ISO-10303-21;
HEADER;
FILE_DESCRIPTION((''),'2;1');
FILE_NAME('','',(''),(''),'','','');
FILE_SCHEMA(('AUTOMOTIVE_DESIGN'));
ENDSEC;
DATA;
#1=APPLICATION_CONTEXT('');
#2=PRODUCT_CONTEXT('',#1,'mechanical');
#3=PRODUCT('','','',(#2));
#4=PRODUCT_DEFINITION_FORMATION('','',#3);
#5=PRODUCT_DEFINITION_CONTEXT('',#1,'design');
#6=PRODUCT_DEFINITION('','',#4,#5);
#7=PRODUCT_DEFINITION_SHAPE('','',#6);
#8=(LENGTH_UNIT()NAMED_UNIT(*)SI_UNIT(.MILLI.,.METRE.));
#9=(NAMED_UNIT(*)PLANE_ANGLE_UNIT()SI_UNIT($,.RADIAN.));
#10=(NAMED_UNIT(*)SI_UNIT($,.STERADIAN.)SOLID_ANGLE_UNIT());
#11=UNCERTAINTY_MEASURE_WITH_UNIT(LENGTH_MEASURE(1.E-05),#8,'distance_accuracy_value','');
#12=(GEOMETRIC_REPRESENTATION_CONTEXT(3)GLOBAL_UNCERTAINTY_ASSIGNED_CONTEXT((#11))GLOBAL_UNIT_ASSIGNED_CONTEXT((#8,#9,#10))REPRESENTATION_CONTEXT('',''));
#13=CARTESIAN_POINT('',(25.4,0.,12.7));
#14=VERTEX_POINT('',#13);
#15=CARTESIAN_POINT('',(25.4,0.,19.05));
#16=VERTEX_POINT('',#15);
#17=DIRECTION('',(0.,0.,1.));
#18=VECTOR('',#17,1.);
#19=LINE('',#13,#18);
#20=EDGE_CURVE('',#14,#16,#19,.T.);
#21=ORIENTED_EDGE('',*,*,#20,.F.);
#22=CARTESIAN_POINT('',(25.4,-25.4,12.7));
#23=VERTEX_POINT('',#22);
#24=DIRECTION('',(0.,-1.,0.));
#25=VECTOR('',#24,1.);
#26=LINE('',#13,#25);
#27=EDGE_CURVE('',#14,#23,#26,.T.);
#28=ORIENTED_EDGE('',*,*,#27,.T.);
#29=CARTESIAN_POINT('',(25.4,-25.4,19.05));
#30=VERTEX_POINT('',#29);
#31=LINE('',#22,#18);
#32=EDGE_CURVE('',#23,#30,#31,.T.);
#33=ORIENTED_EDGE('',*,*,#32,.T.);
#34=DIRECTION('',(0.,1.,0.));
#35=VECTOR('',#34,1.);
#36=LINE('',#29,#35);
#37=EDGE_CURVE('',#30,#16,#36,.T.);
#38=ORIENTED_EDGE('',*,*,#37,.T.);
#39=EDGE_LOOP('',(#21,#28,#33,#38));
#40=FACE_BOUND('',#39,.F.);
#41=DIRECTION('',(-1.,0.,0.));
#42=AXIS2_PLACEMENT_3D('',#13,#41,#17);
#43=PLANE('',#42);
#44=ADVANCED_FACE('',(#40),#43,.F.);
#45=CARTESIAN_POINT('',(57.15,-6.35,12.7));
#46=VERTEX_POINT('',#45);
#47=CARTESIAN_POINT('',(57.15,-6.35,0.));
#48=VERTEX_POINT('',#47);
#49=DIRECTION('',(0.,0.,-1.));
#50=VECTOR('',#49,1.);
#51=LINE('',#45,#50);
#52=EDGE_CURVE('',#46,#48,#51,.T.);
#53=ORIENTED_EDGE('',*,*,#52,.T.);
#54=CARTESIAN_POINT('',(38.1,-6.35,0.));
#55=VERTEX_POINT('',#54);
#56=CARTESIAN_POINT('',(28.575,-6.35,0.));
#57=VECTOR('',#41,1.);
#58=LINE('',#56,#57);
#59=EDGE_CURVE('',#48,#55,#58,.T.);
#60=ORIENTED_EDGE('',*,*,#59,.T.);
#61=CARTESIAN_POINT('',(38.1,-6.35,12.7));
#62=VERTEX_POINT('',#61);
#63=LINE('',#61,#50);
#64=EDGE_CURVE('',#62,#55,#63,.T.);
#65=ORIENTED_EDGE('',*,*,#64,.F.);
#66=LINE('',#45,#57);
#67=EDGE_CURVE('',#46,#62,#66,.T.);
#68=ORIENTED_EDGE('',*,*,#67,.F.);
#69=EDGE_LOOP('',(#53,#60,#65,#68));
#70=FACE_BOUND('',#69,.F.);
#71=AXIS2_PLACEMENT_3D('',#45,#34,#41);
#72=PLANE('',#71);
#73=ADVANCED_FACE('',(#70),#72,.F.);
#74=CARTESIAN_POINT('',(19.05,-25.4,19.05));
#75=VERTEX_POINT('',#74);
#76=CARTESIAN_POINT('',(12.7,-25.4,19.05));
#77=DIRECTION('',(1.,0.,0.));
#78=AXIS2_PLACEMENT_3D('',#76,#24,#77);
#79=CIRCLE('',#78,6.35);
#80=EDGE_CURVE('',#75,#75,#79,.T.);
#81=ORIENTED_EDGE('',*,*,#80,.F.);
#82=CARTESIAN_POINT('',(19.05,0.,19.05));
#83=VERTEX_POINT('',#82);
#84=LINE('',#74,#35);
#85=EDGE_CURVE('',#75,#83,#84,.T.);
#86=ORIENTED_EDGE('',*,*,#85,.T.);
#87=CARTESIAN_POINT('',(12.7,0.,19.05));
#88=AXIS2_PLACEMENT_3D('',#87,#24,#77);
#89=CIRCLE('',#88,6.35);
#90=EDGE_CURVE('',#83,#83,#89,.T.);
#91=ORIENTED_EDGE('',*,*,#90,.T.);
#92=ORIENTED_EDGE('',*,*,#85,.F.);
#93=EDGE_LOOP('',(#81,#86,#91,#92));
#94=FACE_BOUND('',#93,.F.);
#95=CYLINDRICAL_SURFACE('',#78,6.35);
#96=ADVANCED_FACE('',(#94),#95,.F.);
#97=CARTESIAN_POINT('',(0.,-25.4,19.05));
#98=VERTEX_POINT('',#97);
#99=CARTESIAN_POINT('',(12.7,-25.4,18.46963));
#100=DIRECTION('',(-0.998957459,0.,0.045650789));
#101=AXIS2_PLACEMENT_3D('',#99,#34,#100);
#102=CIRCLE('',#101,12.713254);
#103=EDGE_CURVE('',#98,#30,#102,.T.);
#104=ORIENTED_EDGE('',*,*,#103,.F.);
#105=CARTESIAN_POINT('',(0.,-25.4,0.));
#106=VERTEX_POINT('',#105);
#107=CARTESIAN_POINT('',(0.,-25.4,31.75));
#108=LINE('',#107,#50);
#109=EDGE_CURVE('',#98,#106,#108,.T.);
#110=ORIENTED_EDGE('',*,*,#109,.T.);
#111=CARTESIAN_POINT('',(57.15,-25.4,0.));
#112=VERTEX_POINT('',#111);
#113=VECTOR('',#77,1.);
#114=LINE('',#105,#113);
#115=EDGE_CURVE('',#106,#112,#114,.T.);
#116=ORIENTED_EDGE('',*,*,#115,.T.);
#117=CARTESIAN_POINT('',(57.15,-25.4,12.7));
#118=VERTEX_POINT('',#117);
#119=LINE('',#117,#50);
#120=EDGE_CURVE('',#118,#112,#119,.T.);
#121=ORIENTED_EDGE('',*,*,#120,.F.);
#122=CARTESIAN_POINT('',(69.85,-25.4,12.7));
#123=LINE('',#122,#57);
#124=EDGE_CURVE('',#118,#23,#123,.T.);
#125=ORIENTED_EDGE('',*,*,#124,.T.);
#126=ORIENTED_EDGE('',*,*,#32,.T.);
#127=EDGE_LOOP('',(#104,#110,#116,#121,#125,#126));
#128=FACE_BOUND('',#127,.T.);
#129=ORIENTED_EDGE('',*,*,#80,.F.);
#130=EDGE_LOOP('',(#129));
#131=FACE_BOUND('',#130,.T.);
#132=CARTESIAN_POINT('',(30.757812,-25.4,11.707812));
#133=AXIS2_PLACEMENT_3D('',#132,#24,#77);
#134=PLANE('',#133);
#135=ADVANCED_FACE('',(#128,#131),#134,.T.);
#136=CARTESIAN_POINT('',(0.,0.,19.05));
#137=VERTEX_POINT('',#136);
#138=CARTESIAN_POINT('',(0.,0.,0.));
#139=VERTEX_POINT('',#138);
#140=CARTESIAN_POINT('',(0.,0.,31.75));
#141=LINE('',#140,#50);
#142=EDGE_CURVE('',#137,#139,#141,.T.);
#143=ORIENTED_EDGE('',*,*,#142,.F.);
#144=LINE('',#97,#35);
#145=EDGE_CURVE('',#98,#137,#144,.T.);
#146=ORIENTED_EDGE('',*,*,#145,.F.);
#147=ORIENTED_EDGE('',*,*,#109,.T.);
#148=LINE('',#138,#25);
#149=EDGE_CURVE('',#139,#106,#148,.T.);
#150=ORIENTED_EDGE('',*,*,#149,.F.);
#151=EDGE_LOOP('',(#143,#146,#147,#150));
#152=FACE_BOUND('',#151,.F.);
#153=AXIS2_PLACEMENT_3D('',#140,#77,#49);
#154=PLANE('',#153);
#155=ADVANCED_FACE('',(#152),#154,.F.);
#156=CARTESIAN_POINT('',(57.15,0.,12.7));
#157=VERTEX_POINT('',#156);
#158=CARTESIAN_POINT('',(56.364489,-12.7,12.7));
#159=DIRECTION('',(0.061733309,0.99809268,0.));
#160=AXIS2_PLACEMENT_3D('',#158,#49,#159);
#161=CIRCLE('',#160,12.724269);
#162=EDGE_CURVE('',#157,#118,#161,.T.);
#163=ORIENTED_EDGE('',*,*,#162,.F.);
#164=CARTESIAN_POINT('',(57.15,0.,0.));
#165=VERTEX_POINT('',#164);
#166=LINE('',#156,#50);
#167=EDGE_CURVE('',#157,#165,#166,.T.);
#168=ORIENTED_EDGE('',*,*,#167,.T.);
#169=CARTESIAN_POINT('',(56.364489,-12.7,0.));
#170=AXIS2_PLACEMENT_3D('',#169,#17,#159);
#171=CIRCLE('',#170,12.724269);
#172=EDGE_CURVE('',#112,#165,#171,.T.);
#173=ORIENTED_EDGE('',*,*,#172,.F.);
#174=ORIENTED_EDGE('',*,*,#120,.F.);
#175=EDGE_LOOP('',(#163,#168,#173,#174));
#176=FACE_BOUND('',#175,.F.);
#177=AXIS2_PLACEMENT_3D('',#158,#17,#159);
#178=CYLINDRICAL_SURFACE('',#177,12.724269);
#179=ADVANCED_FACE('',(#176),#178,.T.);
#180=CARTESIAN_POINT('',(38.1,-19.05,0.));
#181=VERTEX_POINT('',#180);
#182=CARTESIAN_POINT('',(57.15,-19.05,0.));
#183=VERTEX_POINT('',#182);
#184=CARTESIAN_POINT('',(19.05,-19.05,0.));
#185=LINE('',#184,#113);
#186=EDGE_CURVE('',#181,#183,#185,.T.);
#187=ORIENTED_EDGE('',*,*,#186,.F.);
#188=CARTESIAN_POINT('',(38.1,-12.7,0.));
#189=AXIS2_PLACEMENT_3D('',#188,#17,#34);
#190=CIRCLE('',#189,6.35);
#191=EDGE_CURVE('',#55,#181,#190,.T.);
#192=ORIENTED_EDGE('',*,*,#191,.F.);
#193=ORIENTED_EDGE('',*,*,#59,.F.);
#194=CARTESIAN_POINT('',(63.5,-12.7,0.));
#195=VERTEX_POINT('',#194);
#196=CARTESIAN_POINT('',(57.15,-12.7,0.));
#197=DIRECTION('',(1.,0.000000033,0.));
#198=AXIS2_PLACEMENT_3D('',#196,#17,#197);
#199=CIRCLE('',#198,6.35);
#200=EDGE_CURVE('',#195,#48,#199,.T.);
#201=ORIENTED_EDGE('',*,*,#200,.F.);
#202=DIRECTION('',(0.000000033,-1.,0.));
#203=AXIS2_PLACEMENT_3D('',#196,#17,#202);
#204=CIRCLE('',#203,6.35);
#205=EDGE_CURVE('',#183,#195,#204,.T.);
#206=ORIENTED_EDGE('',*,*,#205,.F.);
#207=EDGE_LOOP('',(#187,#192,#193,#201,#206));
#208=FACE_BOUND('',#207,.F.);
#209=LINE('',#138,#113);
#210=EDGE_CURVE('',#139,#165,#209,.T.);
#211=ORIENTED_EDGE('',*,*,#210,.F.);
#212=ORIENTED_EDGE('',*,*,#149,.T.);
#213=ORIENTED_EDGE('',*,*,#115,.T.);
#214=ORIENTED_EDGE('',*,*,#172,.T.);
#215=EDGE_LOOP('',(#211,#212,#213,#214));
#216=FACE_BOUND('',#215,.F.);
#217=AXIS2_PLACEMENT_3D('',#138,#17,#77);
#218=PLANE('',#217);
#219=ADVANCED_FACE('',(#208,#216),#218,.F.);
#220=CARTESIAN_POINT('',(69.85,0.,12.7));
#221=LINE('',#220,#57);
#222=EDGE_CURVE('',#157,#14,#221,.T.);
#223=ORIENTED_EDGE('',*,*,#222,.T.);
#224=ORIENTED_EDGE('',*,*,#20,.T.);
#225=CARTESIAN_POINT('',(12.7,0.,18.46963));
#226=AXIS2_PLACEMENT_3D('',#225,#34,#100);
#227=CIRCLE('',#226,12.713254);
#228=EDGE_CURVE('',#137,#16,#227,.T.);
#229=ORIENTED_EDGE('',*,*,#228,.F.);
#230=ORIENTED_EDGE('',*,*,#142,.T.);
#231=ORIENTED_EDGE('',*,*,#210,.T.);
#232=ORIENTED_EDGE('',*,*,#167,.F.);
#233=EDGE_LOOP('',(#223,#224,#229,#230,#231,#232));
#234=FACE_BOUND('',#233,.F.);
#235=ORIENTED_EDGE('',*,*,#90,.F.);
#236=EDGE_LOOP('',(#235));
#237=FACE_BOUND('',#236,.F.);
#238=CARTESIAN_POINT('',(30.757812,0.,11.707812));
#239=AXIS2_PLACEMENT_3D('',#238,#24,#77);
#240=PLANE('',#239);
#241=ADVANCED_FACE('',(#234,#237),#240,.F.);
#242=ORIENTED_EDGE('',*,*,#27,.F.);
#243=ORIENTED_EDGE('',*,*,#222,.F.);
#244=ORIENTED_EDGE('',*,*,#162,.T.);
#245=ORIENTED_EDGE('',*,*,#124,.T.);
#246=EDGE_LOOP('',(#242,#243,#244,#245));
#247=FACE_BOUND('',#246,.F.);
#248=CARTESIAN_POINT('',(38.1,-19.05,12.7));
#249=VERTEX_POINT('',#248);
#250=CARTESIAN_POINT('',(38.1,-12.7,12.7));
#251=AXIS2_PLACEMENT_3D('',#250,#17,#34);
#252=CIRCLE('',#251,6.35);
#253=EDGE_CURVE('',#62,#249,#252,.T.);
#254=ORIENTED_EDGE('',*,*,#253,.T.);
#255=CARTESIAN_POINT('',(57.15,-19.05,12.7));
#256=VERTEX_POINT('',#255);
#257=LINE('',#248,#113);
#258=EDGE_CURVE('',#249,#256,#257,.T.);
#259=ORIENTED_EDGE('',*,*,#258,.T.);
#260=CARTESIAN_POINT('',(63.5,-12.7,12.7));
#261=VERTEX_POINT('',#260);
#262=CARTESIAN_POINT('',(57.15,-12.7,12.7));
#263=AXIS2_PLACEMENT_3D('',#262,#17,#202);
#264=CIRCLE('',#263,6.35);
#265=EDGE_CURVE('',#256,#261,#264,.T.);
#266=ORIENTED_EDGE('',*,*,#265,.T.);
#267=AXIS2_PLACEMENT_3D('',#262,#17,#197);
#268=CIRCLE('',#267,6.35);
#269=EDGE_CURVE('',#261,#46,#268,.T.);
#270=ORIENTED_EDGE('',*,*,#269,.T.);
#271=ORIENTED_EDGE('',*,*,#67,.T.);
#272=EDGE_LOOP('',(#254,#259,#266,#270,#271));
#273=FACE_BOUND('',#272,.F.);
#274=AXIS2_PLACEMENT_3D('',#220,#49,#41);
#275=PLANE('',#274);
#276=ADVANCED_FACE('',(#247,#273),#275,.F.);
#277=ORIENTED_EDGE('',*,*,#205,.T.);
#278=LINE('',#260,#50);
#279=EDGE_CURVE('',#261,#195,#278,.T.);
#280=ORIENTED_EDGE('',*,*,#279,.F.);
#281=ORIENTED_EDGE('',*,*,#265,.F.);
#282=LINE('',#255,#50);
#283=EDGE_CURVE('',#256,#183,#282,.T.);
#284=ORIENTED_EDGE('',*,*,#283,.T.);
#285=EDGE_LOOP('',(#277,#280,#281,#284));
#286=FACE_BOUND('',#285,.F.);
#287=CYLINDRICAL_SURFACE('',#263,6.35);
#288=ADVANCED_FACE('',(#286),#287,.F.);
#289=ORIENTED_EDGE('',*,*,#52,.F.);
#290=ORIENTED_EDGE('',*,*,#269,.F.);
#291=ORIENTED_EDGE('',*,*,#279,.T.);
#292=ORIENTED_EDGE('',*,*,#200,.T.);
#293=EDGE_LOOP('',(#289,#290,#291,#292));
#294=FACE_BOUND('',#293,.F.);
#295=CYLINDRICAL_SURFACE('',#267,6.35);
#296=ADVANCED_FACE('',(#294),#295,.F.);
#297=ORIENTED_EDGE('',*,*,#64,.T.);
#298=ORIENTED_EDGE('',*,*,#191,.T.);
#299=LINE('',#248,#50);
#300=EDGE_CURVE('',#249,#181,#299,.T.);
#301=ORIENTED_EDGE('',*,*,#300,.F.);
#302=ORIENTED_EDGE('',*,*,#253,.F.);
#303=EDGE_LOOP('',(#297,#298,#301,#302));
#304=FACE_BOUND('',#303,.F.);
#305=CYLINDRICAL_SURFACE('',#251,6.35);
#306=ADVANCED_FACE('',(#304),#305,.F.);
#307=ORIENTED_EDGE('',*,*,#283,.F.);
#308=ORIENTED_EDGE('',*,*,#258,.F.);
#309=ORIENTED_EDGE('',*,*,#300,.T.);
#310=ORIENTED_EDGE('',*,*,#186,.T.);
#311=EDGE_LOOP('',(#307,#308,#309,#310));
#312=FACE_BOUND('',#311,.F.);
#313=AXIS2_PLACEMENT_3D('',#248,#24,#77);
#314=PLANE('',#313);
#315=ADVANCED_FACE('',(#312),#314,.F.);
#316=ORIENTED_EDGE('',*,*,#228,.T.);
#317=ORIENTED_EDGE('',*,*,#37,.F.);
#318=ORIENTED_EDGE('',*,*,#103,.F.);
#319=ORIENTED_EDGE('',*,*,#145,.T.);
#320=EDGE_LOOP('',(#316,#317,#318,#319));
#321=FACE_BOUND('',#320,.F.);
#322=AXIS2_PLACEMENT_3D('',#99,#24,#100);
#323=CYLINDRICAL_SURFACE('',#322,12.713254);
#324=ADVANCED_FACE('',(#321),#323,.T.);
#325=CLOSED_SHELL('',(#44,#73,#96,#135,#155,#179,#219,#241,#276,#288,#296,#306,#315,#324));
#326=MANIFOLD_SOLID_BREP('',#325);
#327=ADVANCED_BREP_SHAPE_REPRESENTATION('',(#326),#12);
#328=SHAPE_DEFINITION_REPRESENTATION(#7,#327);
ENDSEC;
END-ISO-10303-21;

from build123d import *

# Parameters (mm, degrees)
F1_DEPTH = 25.4
F2_R     = 6.35
F3_DEPTH = 25.4
F5_DEPTH = 25.4


with BuildPart() as f1:
    # F0 (on Front) → F1 (new body)
    with BuildSketch(Plane.XZ):
        Polygon((0, 31.75), (0, 0), (69.85, 0), (69.85, 12.7), (25.4, 12.7), (25.4, 31.75), align=None)
    extrude(amount=F1_DEPTH)

    # F2 (on face) → F3 (cut)
    with BuildSketch(Plane.XZ.offset(25.4)):
        with BuildLine():
            ThreePointArc((0, 19.05), (12.7, 31.182884), (25.4, 19.05))
            Line((25.4, 19.05), (25.4, 31.75))
            Line((25.4, 31.75), (0, 31.75))
            Line((0, 31.75), (0, 19.05))
        make_face()
        with Locations((12.7, 19.05)):
            Circle(F2_R)
    extrude(amount=-F3_DEPTH, mode=Mode.SUBTRACT)

    # F4 (on face) → F5 (cut)
    with BuildSketch(Plane.XY.offset(12.7)):
        with BuildLine():
            ThreePointArc((38.1, -19.05), (42.590128, -17.190128), (44.45, -12.7))
            ThreePointArc((44.45, -12.7), (42.590128, -8.209872), (38.1, -6.35))
            ThreePointArc((38.1, -6.35), (31.75, -12.7), (38.1, -19.05))
        make_face()
        with BuildLine():
            ThreePointArc((38.1, -6.35), (42.590128, -8.209872), (44.45, -12.7))
            ThreePointArc((44.45, -12.7), (42.590128, -17.190128), (38.1, -19.05))
            Line((38.1, -19.05), (57.15, -19.05))
            ThreePointArc((57.15, -19.05), (50.8, -12.7), (57.15, -6.35))
            Line((57.15, -6.35), (38.1, -6.35))
        make_face()
        with BuildLine():
            ThreePointArc((63.5, -12.7), (61.640128, -8.209872), (57.15, -6.35))
            ThreePointArc((57.15, -6.35), (50.8, -12.7), (57.15, -19.05))
            ThreePointArc((57.15, -19.05), (61.640128, -17.190128), (63.5, -12.7))
        make_face()
        with BuildLine():
            ThreePointArc((57.15, 0), (69.088758, -12.7), (57.15, -25.4))
            Line((57.15, -25.4), (69.85, -25.4))
            Line((69.85, -25.4), (69.85, 0))
            Line((69.85, 0), (57.15, 0))
        make_face()
    extrude(amount=-F5_DEPTH, mode=Mode.SUBTRACT)


solid = f1.part
